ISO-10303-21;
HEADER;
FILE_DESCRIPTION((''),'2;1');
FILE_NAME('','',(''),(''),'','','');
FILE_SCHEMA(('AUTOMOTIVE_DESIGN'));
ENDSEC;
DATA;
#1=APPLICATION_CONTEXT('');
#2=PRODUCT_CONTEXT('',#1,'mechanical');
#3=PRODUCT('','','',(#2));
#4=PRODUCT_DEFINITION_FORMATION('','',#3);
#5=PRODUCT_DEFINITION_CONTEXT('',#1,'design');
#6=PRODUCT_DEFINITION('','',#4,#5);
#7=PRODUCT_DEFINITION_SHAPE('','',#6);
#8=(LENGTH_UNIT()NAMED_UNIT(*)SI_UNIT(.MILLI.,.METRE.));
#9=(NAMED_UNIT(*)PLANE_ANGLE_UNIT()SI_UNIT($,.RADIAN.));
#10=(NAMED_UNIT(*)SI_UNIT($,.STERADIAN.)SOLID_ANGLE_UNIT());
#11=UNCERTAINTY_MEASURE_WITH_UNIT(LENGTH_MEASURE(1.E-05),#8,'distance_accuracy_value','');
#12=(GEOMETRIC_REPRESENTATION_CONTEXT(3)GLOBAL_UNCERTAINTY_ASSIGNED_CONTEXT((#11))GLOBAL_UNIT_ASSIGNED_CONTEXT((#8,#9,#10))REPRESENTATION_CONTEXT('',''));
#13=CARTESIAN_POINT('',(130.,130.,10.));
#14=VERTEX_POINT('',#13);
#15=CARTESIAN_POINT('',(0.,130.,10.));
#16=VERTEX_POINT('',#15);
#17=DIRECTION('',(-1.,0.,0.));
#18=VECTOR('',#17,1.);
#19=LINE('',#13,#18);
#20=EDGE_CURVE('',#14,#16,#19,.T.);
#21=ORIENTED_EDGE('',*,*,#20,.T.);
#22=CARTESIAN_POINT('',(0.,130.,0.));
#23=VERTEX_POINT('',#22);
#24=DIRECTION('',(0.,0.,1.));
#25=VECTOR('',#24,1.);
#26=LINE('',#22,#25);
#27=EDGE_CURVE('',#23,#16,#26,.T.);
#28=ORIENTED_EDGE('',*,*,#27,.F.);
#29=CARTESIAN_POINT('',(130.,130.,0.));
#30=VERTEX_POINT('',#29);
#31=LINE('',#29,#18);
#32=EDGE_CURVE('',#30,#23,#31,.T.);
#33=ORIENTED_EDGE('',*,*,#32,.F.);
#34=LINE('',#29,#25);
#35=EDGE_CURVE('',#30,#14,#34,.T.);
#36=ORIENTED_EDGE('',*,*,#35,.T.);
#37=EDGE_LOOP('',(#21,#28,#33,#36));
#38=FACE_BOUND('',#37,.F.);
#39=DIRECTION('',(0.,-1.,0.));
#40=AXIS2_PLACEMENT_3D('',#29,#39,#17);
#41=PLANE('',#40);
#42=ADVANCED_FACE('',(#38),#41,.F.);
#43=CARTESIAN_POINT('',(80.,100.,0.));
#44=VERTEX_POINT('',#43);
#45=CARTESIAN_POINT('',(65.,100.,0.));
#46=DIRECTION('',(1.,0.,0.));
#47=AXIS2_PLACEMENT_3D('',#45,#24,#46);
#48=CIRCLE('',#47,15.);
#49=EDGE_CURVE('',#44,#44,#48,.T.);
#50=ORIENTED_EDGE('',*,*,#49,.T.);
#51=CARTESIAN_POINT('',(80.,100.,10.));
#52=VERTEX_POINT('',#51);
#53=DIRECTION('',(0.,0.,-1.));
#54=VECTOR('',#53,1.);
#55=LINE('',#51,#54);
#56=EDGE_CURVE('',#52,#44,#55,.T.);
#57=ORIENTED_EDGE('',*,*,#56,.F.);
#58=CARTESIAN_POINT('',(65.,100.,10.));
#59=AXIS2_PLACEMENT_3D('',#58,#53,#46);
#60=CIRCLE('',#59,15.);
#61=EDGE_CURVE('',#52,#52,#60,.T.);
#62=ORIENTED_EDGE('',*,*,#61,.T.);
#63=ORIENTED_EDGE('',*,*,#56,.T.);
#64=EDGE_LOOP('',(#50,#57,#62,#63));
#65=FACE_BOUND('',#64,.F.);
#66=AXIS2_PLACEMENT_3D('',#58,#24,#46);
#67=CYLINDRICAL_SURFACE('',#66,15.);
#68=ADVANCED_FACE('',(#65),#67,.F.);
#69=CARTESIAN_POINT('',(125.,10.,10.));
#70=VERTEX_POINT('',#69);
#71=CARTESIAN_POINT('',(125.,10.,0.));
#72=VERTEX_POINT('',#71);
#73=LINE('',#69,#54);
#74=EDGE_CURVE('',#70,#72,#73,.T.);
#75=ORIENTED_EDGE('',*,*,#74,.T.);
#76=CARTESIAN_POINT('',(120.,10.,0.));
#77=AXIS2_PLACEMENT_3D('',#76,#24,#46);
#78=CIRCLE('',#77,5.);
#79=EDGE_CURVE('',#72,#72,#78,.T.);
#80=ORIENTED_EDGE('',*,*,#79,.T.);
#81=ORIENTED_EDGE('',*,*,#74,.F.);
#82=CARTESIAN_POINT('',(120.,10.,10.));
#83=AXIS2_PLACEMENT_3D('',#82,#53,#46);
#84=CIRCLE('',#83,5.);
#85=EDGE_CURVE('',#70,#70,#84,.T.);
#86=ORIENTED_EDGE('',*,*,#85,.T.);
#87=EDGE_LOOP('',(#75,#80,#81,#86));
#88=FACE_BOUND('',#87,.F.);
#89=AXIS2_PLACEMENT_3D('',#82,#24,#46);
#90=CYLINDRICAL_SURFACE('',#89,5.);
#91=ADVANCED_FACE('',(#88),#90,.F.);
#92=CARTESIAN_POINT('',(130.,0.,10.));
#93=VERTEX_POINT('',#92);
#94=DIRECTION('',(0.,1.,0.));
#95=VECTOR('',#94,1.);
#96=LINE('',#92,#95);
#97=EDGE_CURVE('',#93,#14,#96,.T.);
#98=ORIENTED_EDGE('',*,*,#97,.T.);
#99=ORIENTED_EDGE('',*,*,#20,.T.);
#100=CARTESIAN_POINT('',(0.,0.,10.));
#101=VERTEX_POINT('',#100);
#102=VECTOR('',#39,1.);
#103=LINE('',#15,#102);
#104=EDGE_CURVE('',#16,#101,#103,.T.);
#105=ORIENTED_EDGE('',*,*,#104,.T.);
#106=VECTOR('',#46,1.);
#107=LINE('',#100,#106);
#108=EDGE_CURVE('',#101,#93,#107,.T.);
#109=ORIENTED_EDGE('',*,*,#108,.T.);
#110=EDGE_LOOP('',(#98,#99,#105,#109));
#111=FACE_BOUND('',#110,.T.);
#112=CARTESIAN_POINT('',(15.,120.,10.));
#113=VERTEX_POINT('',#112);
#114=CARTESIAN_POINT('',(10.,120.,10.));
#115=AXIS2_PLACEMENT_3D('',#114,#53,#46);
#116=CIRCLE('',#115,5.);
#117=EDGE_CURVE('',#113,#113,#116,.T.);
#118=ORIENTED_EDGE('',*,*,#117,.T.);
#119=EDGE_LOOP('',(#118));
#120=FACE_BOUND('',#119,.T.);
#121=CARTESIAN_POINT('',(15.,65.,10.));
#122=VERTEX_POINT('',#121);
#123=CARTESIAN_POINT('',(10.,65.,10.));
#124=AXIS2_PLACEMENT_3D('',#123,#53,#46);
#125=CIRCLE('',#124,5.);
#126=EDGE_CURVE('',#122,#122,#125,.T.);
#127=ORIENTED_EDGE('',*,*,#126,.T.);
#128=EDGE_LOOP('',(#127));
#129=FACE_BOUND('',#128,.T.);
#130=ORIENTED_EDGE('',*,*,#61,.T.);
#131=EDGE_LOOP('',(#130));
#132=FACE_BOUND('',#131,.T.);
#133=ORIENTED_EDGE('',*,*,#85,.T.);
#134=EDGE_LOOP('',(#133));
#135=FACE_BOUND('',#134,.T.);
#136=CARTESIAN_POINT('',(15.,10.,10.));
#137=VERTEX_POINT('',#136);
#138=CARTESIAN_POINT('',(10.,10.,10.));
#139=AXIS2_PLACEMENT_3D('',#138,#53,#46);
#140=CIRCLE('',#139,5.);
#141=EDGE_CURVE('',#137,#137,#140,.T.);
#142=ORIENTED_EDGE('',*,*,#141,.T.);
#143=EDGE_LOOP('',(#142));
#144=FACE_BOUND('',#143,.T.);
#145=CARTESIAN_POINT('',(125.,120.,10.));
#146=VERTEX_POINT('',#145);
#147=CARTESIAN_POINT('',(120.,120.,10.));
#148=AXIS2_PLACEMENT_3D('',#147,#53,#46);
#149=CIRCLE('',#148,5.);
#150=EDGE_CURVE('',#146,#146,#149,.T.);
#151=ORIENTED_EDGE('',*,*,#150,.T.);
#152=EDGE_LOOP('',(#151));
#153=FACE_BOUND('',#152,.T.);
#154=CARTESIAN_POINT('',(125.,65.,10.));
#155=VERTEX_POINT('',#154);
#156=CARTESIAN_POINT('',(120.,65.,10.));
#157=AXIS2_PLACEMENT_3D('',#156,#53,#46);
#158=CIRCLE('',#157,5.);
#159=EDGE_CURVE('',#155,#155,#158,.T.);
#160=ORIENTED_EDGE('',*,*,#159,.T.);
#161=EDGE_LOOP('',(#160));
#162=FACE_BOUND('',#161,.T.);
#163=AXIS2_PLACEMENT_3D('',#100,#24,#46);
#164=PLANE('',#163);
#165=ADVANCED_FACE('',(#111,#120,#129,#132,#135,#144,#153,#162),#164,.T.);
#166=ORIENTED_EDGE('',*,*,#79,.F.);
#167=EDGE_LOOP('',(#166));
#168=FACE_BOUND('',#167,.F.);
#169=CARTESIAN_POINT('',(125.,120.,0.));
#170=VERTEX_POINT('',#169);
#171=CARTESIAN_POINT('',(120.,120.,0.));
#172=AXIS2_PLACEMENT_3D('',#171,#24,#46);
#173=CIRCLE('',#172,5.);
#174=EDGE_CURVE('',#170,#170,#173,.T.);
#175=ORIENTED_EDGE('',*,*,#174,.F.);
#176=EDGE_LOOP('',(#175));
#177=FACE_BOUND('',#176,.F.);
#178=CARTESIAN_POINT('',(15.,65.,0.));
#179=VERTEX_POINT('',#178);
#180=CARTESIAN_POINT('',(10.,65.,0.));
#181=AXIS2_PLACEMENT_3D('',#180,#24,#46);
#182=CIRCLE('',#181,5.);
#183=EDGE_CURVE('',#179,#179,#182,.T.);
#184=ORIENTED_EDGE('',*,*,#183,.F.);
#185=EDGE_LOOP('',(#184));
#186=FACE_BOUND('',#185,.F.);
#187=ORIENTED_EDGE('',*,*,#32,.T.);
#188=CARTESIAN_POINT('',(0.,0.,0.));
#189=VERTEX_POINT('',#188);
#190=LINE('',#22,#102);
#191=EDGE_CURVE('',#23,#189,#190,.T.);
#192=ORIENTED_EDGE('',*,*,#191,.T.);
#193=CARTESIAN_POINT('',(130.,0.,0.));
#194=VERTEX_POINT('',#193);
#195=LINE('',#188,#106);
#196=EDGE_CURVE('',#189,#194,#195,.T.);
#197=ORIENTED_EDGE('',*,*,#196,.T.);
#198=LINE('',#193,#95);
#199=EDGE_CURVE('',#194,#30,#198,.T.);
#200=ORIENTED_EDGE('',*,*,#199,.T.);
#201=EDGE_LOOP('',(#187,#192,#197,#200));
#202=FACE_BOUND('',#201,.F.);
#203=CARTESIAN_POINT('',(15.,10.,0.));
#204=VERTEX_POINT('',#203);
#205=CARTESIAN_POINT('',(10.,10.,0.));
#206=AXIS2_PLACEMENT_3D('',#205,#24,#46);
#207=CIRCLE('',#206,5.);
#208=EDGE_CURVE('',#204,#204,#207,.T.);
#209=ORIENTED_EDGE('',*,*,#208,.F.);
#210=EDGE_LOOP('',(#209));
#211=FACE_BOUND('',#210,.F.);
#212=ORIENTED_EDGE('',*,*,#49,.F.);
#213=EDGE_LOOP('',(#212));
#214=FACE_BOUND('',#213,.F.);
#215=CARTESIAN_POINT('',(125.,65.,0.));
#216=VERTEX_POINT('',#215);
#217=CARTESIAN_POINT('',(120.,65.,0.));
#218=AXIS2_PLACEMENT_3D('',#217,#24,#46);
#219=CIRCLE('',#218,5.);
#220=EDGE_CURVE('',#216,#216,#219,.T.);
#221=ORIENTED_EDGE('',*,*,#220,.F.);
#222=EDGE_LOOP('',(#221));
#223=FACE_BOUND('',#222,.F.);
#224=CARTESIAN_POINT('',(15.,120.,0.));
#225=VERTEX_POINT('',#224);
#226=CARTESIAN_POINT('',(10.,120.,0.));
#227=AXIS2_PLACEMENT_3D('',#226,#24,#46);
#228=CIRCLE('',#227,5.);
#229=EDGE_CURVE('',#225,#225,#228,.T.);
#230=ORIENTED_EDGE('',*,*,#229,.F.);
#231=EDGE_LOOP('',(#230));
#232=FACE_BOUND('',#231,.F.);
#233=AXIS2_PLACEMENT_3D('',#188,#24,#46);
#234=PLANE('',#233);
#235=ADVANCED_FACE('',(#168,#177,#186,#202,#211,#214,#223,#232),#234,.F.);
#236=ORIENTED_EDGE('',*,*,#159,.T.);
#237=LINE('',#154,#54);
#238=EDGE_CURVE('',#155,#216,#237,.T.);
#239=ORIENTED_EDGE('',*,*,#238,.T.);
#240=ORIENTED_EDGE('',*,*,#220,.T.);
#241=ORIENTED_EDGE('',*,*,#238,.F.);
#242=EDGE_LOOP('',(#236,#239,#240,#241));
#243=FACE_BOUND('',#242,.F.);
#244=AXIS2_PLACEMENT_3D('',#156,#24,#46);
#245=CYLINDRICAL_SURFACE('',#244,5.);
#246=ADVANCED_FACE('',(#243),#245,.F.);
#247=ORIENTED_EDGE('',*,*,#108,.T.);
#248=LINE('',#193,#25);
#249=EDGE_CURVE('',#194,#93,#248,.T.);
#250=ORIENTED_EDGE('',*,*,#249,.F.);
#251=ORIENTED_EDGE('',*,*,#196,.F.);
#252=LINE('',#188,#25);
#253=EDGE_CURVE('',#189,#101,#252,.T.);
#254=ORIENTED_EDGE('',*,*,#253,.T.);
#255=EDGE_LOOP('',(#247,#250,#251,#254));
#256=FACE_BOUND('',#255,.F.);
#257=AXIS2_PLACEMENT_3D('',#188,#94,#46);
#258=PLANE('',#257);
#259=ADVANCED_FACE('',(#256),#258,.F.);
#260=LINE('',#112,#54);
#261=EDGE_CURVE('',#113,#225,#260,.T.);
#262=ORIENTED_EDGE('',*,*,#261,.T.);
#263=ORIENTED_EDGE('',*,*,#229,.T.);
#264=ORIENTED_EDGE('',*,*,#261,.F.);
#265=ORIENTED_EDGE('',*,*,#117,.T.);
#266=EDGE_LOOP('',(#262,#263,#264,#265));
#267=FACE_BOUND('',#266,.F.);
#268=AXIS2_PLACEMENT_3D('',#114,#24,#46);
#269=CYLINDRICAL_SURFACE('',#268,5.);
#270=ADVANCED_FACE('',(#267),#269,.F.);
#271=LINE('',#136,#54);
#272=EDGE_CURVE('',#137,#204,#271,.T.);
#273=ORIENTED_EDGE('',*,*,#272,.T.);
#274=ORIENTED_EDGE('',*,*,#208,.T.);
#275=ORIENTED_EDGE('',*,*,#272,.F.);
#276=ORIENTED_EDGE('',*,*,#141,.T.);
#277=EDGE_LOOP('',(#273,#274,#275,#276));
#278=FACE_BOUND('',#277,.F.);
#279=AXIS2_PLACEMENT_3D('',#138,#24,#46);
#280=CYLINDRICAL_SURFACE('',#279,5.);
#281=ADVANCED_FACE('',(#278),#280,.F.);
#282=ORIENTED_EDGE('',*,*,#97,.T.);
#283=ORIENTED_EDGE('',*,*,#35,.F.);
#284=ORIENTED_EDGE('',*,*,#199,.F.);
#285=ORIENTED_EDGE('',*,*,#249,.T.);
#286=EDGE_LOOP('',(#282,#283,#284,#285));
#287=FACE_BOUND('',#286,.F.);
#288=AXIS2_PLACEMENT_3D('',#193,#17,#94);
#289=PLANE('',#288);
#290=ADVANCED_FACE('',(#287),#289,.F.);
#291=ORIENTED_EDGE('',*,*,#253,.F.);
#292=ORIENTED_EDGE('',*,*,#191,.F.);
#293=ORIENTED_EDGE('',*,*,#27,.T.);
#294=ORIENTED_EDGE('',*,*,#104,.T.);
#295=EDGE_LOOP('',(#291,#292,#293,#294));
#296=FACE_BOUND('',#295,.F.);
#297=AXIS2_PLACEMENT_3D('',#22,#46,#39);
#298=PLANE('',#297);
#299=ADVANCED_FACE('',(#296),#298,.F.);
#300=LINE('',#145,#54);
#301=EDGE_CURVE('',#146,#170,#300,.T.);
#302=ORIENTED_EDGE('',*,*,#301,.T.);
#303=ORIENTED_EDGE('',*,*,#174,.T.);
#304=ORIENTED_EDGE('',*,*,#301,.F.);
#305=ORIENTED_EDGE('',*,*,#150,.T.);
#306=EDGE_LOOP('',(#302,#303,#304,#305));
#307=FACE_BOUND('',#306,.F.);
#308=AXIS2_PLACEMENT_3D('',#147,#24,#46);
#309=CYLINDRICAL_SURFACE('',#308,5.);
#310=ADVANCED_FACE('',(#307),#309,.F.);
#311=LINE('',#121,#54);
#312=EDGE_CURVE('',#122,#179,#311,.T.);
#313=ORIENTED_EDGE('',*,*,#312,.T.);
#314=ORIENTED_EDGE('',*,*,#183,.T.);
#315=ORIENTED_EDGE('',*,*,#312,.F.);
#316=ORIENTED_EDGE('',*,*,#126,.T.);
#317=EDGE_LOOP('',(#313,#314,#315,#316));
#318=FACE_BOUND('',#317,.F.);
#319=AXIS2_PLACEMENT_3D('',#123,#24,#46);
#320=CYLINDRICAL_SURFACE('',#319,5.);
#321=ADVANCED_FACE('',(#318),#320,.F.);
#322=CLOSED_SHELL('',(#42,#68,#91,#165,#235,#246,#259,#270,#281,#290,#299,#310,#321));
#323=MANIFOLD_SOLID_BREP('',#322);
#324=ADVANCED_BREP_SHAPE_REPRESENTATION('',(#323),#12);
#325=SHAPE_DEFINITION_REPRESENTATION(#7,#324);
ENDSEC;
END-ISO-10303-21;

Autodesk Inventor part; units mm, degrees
ref_plane "YZ Plane" through (0, 0, 0) normal (1, 0, 0) x (0, 1, 0)
ref_plane "XZ Plane" through (0, 0, 0) normal (0, 1, 0) x (-1, 0, 0)
ref_plane "XY Plane" through (0, 0, 0) normal (0, 0, 1) x (1, 0, 0)
sketch "Sketch1" plane through (0, 0, 0) normal (0, 0, 1) x (1, 0, 0)
  line L0 (0, 0) -> (130, 0)
  line L1 (130, 0) -> (130, 130)
  line L2 (130, 130) -> (0, 130)
  line L3 (0, 130) -> (0, 0)
  dimension "d0" = 130
  dimension "d1" = 130
extrude "Extrusion1" add sketch "Sketch1" along normal blind 10
sketch "Sketch2" plane through (0, 0, 10) normal (0, 0, 1) x (1, 0, 0)
  line L0 (0, 130) -> (0, 0) projected
  line L1 (0, 130) -> (10, 130)
  line L2 (130, 130) -> (0, 130) projected
  line L3 (10, 130) -> (10, 0)
  line L4 (10, 0) -> (120, 0)
  line L5 (0, 0) -> (130, 0) projected
  line L6 (120, 0) -> (120, 130)
  line L7 (120, 130) -> (120, 120)
  line L8 (120, 120) -> (10, 120)
  line L9 (130, 0) -> (130, 130) projected
  line L10 (130, 0) -> (130, 10)
  line L11 (130, 10) -> (-3.175, 10)
  circle A0 centre (10, 10) radius 5
  circle A1 centre (120, 10) radius 5
  circle A2 centre (120, 120) radius 5
  circle A3 centre (10, 120) radius 5
  line L12 (0, 0) -> (0, 38.1)
  line L13 (0, 130) -> (0, 65)
  line L14 (0, 65) -> (130, 65)
  circle A4 centre (10, 65) radius 5
  circle A5 centre (120, 65) radius 5
  line L15 (0, 130) -> (65, 130)
  line L16 (65, 130) -> (65, 100)
  circle A6 centre (65, 100) radius 15
  dimension "d4" = 10
  dimension "d5" = 110
  dimension "d6" = 10
  dimension "d7" = 10
  dimension "d8" = 10
  dimension "d9" = 10
  dimension "d10" = 10
  dimension "d11" = 10
  dimension "d12" = 65
  dimension "d13" = 10
  dimension "d14" = 10
  dimension "d15" = 65
  dimension "d16" = 30
  dimension "d17" = 30
extrude "Extrusion2" cut sketch "Sketch2" against normal through all contours A4 L3 L14 | L14 L3 A4 | A3 L8 L3 | L3 A3 | L14 A4 L3 | L3 A4 L14 | A6 | L8 A3 L3 | A0 L3 L11 | L11 L3 A0 | A0 L11 L3 | A2 L6 | L6 L8 A2 | L8 L6 A2 | L11 A0 L3 | A5 L6 L14 | L14 L6 A5 | L14 A5 L6 | L6 A5 L14 | A1 L6 L11 | L11 L6 A1 | L6 L11 A1 | A1 L11 L6
properties part number "lift dc motor"
